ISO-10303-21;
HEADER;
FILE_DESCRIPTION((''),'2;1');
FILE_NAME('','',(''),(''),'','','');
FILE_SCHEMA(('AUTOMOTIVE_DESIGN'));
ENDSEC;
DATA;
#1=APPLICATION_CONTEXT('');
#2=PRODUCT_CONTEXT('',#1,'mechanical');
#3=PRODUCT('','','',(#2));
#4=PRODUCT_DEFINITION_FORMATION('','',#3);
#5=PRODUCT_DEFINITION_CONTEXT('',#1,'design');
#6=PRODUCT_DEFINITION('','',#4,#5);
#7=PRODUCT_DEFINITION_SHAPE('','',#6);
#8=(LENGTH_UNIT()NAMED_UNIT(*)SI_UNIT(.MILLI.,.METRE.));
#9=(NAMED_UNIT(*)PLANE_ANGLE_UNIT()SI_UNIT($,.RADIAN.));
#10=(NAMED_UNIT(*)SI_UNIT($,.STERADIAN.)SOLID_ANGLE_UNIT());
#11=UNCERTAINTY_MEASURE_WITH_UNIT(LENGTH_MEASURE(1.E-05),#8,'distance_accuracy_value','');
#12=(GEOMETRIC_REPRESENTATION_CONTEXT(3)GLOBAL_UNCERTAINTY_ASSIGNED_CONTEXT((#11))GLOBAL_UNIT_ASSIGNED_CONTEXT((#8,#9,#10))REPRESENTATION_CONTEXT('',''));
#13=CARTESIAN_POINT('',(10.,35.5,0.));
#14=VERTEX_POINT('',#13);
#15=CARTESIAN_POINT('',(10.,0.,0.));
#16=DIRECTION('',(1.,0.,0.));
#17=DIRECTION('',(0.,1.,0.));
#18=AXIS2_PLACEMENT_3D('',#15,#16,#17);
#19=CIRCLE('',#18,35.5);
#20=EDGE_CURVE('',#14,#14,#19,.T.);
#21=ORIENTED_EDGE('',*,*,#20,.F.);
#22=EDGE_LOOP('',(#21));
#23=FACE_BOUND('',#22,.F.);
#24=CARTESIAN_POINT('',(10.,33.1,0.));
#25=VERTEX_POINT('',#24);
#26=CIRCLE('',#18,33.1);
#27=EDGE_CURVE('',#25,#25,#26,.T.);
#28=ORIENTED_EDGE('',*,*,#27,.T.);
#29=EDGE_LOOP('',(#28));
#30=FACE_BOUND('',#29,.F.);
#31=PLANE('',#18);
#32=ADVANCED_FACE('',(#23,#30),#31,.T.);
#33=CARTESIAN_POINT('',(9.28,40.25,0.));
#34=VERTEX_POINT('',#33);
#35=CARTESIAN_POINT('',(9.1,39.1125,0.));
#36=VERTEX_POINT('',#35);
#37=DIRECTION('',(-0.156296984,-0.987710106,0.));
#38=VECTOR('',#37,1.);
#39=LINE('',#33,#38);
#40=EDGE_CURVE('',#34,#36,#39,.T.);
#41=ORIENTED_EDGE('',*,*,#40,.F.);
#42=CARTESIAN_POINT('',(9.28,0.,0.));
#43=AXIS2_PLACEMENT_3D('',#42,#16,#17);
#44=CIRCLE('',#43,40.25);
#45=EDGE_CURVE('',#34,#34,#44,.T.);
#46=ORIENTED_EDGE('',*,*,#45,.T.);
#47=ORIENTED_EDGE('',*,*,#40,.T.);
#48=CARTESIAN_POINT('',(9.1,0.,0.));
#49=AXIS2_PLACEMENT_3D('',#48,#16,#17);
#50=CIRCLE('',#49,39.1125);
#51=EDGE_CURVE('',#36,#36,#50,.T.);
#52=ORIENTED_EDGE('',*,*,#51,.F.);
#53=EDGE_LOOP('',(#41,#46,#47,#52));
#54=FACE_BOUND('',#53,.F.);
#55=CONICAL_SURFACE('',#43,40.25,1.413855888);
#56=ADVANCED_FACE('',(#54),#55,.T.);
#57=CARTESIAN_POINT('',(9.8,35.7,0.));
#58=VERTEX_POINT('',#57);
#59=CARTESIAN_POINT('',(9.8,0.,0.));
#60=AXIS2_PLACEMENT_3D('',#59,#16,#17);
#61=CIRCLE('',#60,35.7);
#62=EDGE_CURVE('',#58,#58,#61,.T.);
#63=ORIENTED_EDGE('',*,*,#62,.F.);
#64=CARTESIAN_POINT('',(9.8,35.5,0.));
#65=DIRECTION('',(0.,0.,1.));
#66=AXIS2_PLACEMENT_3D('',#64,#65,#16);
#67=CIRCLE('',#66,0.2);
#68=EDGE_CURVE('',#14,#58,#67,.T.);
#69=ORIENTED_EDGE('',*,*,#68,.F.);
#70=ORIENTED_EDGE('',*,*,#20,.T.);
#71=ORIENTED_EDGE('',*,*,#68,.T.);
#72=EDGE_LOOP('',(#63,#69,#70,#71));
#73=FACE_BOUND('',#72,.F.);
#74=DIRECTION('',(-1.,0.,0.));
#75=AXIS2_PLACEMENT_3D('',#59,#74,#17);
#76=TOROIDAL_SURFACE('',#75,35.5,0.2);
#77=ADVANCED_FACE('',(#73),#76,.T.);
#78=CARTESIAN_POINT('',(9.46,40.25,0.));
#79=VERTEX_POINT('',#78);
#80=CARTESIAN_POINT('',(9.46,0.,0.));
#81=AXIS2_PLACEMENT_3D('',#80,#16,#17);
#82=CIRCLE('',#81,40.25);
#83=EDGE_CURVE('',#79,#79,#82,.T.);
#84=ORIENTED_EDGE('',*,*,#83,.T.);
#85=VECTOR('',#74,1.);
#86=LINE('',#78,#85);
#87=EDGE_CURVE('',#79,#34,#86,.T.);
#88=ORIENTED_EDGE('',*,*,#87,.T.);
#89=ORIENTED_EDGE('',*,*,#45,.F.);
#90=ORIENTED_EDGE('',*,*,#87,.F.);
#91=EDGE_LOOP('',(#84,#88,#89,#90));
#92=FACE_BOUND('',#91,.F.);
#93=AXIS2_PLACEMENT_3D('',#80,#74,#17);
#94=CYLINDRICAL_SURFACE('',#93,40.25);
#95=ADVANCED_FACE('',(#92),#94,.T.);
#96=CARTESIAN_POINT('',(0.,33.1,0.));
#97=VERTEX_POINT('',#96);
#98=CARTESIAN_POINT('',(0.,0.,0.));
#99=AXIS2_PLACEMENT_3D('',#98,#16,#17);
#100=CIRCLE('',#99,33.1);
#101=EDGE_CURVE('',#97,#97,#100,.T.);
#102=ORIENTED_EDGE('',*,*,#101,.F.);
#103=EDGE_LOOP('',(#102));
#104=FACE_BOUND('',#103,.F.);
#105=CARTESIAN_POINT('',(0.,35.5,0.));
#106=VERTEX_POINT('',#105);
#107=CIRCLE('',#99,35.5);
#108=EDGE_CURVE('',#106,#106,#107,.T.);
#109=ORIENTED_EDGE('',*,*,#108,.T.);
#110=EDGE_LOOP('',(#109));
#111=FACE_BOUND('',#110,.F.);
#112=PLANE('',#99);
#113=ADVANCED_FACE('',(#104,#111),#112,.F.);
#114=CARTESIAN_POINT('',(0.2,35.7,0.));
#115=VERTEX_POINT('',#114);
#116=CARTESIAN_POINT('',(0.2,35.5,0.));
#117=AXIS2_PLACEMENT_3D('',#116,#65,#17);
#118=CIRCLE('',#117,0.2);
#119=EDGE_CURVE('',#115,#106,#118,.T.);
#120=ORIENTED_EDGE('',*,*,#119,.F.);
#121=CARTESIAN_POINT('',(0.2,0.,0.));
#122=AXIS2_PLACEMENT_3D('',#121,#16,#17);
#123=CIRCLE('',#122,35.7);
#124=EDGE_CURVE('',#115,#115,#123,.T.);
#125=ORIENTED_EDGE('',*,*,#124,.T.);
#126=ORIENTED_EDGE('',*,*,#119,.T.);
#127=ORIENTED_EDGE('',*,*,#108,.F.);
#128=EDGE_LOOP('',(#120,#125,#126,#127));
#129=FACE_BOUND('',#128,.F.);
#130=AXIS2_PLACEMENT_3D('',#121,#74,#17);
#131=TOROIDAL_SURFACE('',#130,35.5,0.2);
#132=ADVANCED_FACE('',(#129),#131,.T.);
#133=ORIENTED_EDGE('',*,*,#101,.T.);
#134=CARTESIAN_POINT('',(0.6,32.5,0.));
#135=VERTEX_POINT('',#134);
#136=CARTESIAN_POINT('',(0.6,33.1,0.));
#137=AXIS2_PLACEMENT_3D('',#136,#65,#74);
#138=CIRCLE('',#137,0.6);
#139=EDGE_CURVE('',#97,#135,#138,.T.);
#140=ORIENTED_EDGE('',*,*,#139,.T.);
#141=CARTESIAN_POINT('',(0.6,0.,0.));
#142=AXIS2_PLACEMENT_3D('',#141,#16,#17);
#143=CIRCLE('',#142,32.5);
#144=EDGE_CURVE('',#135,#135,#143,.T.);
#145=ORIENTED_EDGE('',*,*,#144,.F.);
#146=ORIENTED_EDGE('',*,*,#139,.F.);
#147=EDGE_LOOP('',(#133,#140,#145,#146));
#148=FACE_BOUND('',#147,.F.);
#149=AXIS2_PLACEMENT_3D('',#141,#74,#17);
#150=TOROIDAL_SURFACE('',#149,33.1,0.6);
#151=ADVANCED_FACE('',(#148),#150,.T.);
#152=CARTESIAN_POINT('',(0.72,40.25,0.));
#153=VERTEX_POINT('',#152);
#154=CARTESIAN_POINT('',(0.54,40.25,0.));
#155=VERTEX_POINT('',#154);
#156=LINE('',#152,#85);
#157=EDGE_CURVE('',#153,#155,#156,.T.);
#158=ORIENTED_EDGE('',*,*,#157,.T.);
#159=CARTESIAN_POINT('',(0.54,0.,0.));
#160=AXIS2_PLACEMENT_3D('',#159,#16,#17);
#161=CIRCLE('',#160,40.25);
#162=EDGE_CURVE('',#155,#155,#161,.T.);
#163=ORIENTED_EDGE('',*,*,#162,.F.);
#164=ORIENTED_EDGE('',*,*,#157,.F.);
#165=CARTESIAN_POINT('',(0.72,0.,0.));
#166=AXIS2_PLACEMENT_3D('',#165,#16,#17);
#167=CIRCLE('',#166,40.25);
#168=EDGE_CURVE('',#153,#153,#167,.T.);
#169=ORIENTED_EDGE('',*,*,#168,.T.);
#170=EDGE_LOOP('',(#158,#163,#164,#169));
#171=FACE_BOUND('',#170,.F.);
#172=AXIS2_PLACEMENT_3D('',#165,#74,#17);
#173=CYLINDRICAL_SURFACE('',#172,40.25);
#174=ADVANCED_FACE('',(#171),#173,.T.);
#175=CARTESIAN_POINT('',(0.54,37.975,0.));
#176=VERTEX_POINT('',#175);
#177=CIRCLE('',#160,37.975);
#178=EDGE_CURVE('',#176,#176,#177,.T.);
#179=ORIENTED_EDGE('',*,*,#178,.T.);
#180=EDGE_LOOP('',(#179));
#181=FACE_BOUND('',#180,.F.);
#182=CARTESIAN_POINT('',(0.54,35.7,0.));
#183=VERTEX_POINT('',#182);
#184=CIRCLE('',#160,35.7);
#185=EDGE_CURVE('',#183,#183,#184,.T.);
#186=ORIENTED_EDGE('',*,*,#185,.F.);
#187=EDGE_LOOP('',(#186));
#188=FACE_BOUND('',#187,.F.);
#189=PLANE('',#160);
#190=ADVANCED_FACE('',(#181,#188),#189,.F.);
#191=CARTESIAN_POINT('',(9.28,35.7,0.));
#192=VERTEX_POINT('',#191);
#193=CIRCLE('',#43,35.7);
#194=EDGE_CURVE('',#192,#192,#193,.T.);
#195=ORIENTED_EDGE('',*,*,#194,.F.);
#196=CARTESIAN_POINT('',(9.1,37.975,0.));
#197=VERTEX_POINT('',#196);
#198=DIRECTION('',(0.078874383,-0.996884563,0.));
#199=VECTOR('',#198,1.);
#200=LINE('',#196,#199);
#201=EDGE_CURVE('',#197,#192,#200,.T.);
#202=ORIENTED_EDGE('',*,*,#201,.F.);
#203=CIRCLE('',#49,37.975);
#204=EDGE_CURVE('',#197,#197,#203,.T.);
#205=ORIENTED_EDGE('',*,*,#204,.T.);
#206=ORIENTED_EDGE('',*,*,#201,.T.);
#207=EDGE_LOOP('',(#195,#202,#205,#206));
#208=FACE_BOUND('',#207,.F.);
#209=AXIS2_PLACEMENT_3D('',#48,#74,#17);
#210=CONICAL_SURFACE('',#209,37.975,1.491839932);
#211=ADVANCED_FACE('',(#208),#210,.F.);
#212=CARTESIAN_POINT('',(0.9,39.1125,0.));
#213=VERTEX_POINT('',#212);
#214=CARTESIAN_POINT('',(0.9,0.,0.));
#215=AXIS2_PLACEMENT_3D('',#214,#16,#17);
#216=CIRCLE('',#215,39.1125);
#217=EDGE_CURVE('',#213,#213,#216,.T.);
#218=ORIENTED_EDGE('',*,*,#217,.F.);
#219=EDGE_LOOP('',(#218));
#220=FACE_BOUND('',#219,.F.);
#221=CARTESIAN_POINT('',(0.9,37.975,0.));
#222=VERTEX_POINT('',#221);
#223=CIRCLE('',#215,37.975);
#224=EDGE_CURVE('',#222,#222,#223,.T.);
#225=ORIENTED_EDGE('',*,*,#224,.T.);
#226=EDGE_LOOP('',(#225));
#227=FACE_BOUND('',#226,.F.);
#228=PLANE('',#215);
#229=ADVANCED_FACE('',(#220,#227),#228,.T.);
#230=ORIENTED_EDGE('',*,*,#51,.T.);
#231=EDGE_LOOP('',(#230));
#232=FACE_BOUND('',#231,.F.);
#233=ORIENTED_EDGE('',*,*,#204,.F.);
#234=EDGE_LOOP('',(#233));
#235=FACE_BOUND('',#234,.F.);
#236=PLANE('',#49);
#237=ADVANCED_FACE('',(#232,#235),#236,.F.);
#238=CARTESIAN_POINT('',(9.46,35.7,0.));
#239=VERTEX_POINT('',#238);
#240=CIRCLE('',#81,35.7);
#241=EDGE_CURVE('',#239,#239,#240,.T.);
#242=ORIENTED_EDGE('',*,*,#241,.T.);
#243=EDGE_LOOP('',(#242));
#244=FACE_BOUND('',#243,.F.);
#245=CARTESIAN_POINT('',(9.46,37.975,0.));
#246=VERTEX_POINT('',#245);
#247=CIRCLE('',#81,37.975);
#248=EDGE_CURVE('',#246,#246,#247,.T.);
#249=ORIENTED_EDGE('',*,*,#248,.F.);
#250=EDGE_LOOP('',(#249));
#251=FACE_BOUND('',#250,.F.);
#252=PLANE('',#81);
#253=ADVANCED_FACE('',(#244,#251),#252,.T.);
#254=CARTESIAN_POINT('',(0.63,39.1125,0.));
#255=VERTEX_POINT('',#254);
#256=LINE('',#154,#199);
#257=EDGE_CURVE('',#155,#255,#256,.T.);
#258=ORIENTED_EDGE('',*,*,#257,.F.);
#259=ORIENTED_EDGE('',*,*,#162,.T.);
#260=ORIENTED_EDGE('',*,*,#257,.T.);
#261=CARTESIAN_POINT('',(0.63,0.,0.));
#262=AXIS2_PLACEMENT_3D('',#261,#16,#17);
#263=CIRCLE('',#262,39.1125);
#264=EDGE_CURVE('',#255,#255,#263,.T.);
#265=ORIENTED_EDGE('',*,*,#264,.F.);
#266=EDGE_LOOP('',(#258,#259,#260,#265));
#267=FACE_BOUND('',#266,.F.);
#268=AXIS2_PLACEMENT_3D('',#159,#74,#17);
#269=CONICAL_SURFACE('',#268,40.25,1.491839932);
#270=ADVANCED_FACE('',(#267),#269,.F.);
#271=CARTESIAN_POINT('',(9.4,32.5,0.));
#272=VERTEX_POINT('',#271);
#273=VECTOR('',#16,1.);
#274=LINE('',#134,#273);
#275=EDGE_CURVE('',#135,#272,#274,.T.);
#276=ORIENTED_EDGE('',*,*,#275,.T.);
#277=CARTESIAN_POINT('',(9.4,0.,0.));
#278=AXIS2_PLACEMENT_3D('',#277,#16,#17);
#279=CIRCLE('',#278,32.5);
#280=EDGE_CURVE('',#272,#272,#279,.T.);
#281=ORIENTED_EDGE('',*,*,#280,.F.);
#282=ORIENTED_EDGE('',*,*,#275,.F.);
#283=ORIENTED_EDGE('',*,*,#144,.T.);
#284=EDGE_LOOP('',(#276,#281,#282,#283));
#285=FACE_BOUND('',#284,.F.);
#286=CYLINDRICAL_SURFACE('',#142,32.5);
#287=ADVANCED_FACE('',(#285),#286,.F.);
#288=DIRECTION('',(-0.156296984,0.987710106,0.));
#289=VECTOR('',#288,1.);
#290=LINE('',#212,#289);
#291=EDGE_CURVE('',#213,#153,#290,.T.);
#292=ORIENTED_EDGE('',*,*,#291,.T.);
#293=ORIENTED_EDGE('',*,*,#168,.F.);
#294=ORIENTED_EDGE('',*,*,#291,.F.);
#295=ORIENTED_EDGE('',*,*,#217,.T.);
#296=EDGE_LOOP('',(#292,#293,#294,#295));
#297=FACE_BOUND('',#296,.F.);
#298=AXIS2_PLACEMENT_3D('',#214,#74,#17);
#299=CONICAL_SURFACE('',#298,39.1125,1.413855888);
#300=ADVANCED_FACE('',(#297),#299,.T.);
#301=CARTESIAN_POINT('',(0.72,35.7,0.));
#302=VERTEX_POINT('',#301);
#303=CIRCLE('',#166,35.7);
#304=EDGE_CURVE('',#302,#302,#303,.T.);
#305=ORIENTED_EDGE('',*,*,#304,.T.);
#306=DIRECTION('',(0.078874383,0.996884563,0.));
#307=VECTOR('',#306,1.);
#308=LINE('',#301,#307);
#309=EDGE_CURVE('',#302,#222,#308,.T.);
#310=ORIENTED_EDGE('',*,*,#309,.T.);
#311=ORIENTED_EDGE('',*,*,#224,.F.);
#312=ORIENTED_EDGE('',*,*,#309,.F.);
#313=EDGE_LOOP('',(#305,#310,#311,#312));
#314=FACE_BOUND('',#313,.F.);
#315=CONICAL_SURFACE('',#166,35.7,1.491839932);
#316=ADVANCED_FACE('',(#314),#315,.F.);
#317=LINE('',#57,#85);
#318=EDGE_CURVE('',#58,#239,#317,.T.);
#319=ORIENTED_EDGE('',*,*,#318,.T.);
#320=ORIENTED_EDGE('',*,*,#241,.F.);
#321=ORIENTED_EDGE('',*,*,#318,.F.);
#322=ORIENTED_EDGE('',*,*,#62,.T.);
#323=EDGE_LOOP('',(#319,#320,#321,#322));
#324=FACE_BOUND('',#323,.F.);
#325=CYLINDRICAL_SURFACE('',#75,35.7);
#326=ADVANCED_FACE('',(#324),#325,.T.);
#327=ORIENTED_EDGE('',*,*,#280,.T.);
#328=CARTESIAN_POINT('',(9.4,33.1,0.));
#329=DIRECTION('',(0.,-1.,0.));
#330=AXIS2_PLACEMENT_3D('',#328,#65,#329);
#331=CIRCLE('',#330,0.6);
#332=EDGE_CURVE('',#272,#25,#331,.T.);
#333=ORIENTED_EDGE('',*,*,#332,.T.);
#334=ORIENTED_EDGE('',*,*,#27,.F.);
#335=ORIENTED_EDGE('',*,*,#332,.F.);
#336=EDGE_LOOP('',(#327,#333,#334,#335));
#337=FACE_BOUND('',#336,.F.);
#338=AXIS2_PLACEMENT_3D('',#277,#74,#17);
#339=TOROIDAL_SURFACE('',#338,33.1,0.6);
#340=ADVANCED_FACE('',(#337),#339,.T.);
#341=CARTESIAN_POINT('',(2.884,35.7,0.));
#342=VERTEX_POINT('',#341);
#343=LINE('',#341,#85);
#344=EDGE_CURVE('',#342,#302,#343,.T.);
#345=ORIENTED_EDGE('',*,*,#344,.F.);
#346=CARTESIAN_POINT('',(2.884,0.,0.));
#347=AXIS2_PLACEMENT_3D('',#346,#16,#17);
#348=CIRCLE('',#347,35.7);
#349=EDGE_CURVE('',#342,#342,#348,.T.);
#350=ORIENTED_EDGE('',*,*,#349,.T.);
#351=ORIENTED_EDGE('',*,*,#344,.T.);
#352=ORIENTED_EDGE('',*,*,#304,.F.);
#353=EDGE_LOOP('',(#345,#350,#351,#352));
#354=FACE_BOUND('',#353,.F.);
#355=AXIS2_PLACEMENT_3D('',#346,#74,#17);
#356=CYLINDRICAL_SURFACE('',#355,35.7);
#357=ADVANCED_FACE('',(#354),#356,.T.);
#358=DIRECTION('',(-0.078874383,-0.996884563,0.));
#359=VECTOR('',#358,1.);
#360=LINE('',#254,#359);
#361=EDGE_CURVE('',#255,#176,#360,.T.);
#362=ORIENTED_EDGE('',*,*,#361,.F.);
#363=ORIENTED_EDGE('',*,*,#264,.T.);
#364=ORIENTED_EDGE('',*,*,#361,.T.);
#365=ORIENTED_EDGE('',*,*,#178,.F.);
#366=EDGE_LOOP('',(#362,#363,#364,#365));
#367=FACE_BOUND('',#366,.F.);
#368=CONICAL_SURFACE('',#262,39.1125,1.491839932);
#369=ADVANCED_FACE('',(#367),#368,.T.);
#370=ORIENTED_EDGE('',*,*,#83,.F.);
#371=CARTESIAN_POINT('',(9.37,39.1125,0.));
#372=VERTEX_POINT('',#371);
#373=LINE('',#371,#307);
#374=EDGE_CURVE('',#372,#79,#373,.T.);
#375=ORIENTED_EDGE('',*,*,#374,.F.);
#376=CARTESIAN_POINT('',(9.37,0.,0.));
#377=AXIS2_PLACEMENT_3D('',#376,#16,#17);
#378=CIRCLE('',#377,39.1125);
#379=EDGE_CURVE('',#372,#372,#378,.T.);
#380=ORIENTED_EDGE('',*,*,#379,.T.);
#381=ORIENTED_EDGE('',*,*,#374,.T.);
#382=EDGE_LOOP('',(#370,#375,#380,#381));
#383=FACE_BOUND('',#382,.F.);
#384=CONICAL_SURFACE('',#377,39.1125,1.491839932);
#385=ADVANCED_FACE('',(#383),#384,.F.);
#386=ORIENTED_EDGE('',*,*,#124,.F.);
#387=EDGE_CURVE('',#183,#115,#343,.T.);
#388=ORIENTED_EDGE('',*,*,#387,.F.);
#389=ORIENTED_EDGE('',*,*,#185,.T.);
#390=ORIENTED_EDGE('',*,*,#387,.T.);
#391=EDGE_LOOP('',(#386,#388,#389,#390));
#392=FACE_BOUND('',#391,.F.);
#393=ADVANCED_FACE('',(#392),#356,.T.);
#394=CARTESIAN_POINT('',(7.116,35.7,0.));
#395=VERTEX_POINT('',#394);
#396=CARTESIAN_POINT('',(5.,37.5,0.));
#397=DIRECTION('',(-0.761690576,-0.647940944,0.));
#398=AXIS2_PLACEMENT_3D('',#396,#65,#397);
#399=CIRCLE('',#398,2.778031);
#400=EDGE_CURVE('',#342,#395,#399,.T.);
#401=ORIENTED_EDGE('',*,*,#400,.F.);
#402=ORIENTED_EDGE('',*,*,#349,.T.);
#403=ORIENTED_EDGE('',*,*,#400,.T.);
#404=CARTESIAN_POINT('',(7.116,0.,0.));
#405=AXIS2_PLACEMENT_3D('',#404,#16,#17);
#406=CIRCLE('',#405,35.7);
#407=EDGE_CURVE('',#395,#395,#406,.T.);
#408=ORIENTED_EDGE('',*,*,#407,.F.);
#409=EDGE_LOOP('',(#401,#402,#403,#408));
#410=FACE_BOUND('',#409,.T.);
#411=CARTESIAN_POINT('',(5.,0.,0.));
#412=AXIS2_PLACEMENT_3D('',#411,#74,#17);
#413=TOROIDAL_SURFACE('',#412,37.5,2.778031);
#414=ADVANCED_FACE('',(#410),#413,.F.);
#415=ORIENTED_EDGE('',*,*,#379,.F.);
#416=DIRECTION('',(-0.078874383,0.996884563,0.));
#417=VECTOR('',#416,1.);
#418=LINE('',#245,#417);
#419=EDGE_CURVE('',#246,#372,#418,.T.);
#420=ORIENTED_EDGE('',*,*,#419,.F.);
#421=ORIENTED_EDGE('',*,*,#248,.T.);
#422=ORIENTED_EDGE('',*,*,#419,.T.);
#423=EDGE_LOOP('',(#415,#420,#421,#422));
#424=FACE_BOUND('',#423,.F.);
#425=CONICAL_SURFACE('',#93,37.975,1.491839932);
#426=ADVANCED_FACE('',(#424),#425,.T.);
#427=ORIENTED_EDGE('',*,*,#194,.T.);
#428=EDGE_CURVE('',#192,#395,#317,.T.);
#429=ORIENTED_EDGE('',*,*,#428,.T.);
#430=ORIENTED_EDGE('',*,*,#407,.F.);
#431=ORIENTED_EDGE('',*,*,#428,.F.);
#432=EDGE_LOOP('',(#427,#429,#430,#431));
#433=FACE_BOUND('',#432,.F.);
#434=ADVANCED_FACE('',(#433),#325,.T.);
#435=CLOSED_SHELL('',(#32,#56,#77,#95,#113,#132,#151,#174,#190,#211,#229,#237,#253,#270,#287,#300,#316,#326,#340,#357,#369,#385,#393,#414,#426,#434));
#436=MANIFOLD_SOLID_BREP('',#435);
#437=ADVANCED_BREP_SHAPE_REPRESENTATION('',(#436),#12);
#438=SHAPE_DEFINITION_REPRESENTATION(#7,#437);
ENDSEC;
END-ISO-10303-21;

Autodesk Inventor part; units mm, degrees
ref_plane "YZ Plane" through (0, 0, 0) normal (1, 0, 0) x (0, 1, 0)
ref_plane "XZ Plane" through (0, 0, 0) normal (0, 1, 0) x (-1, 0, 0)
ref_plane "XY Plane" through (0, 0, 0) normal (0, 0, 1) x (1, 0, 0)
sketch "Sketch_58" plane through (0, 0, 0) normal (0, 0, 1) x (1, 0, 0)
  line L0 (50, 0) -> (-50, 0)
  line L1 (0, 35.5) -> (0, 33.1)
  arc A0 (0, 33.1) -> (0.6, 32.5) centre (0.6, 33.1) ccw
  line L2 (0.6, 32.5) -> (9.4, 32.5)
  arc A1 (9.4, 32.5) -> (10, 33.1) centre (9.4, 33.1) ccw
  line L3 (10, 33.1) -> (10, 35.5)
  arc A2 (10, 35.5) -> (9.8, 35.7) centre (9.8, 35.5) ccw
  line L4 (9.8, 35.7) -> (7.116, 35.7)
  arc A3 (2.884, 35.7) -> (7.116, 35.7) centre (5, 37.5) ccw
  line L5 (2.884, 35.7) -> (0.2, 35.7)
  arc A4 (0.2, 35.7) -> (0, 35.5) centre (0.2, 35.5) ccw
revolve "Revolution1" add sketch "Sketch_58" angle 360 about axis through (50, 0, 0) along (1, 0, 0)
sketch "Sketch_60" plane through (0, 0, 0) normal (0, 0, 1) x (1, 0, 0)
  line L0 (50, 0) -> (-50, 0)
  line L1 (0.54, 40.25) -> (0.63, 39.1125)
  line L2 (0.63, 39.1125) -> (0.54, 37.975)
  line L3 (0.54, 37.975) -> (0.54, 35.7)
  line L4 (0.54, 35.7) -> (0.72, 35.7)
  line L5 (0.72, 35.7) -> (0.9, 37.975)
  line L6 (0.9, 37.975) -> (0.9, 39.1125)
  line L7 (0.9, 39.1125) -> (0.72, 40.25)
  line L8 (0.72, 40.25) -> (0.54, 40.25)
revolve "Revolution2" add sketch "Sketch_60" angle 360 about axis through (50, 0, 0) along (1, 0, 0)
sketch "Sketch_61" plane through (0, 0, 0) normal (0, 0, 1) x (1, 0, 0)
  line L0 (50, 0) -> (-50, 0)
  line L1 (9.1, 37.975) -> (9.28, 35.7)
  line L2 (9.28, 35.7) -> (9.46, 35.7)
  line L3 (9.46, 35.7) -> (9.46, 37.975)
  line L4 (9.46, 37.975) -> (9.37, 39.1125)
  line L5 (9.37, 39.1125) -> (9.46, 40.25)
  line L6 (9.46, 40.25) -> (9.28, 40.25)
  line L7 (9.28, 40.25) -> (9.1, 39.1125)
  line L8 (9.1, 39.1125) -> (9.1, 37.975)
revolve "Revolution3" add sketch "Sketch_61" angle 360 about axis through (50, 0, 0) along (1, 0, 0)
properties part number "61813-2RS1_PART1"
